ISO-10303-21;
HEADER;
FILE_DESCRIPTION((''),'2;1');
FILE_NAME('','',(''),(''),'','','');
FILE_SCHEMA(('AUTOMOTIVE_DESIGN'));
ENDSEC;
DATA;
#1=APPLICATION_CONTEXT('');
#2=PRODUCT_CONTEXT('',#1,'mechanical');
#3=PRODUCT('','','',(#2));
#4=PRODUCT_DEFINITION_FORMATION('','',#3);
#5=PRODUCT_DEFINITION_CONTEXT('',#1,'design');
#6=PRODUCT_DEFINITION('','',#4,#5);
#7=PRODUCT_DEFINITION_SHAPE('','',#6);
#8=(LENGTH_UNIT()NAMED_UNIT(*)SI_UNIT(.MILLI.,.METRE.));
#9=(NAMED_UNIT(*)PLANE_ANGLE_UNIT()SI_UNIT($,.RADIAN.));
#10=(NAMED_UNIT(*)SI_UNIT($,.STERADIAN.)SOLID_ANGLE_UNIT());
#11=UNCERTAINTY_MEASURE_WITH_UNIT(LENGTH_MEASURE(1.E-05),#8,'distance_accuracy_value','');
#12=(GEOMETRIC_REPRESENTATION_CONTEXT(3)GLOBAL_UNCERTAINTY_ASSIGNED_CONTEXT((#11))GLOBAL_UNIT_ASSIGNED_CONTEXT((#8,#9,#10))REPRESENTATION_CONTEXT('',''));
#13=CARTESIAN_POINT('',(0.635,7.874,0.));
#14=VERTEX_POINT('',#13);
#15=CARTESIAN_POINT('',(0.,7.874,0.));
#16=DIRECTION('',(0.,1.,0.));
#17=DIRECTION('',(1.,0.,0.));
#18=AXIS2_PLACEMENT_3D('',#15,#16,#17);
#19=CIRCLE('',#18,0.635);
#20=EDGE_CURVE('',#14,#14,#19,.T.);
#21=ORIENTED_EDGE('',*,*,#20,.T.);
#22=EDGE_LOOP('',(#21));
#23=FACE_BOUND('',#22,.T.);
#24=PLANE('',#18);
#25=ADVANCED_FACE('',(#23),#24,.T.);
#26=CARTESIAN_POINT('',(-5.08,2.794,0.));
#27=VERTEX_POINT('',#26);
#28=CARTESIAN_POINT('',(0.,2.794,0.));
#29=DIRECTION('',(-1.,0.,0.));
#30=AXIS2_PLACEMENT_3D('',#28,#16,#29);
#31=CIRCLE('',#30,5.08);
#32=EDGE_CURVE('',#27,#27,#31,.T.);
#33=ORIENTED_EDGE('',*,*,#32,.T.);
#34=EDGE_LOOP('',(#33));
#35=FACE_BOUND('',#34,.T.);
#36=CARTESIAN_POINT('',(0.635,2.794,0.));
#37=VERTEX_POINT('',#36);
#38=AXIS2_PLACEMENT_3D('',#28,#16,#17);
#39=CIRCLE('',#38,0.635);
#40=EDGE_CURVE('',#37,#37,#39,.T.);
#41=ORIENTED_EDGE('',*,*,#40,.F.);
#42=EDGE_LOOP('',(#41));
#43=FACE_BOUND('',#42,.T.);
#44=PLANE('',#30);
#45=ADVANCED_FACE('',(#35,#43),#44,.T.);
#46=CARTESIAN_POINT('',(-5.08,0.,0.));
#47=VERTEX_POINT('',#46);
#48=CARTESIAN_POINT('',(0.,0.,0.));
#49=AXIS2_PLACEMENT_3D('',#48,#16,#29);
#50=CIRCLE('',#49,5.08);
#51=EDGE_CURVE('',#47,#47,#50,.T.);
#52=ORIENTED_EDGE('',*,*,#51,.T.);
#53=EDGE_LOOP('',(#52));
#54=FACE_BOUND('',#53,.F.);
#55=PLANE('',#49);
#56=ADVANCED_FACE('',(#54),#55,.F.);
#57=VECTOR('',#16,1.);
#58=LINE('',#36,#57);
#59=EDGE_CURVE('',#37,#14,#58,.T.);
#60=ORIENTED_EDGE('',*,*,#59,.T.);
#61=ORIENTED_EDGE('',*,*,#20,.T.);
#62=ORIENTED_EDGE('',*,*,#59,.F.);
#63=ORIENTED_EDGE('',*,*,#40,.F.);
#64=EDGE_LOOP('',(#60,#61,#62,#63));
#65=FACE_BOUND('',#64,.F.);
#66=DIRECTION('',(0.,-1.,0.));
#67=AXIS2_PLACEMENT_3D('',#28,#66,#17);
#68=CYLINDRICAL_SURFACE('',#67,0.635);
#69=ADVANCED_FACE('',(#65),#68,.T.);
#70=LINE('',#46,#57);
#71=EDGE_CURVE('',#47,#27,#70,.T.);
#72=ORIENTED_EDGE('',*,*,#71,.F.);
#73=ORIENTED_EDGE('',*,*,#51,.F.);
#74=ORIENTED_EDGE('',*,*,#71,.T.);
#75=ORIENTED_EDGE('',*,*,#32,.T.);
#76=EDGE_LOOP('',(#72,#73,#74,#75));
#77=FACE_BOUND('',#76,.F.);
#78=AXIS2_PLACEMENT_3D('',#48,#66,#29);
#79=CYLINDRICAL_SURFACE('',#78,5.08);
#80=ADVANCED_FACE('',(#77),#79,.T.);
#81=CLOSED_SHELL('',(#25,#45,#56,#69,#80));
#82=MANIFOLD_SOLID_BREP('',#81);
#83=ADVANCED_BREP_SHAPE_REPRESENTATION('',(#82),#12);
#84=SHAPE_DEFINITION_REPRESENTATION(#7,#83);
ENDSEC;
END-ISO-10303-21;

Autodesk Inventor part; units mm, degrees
ref_plane "YZ Plane" through (0, 0, 0) normal (1, 0, 0) x (0, 1, 0)
ref_plane "XZ Plane" through (0, 0, 0) normal (0, 1, 0) x (-1, 0, 0)
ref_plane "XY Plane" through (0, 0, 0) normal (0, 0, 1) x (1, 0, 0)
sketch "Sketch1" plane through (0, 0, 0) normal (0, 1, 0) x (-1, 0, 0)
  circle A0 centre (0, 0) radius 5.08
  dimension "d0" = 10.16
extrude "Extrusion1" add sketch "Sketch1" along normal blind 2.794
sketch "Sketch2" plane through (0, 2.794, 0) normal (0, 1, 0) x (1, 0, 0)
  circle A0 centre (0, 0) radius 0.635
  dimension "d3" = 1.27
extrude "Extrusion2" add sketch "Sketch2" along normal blind 5.08
properties part number "aftPotentiometers" material "ABS Plastic"
